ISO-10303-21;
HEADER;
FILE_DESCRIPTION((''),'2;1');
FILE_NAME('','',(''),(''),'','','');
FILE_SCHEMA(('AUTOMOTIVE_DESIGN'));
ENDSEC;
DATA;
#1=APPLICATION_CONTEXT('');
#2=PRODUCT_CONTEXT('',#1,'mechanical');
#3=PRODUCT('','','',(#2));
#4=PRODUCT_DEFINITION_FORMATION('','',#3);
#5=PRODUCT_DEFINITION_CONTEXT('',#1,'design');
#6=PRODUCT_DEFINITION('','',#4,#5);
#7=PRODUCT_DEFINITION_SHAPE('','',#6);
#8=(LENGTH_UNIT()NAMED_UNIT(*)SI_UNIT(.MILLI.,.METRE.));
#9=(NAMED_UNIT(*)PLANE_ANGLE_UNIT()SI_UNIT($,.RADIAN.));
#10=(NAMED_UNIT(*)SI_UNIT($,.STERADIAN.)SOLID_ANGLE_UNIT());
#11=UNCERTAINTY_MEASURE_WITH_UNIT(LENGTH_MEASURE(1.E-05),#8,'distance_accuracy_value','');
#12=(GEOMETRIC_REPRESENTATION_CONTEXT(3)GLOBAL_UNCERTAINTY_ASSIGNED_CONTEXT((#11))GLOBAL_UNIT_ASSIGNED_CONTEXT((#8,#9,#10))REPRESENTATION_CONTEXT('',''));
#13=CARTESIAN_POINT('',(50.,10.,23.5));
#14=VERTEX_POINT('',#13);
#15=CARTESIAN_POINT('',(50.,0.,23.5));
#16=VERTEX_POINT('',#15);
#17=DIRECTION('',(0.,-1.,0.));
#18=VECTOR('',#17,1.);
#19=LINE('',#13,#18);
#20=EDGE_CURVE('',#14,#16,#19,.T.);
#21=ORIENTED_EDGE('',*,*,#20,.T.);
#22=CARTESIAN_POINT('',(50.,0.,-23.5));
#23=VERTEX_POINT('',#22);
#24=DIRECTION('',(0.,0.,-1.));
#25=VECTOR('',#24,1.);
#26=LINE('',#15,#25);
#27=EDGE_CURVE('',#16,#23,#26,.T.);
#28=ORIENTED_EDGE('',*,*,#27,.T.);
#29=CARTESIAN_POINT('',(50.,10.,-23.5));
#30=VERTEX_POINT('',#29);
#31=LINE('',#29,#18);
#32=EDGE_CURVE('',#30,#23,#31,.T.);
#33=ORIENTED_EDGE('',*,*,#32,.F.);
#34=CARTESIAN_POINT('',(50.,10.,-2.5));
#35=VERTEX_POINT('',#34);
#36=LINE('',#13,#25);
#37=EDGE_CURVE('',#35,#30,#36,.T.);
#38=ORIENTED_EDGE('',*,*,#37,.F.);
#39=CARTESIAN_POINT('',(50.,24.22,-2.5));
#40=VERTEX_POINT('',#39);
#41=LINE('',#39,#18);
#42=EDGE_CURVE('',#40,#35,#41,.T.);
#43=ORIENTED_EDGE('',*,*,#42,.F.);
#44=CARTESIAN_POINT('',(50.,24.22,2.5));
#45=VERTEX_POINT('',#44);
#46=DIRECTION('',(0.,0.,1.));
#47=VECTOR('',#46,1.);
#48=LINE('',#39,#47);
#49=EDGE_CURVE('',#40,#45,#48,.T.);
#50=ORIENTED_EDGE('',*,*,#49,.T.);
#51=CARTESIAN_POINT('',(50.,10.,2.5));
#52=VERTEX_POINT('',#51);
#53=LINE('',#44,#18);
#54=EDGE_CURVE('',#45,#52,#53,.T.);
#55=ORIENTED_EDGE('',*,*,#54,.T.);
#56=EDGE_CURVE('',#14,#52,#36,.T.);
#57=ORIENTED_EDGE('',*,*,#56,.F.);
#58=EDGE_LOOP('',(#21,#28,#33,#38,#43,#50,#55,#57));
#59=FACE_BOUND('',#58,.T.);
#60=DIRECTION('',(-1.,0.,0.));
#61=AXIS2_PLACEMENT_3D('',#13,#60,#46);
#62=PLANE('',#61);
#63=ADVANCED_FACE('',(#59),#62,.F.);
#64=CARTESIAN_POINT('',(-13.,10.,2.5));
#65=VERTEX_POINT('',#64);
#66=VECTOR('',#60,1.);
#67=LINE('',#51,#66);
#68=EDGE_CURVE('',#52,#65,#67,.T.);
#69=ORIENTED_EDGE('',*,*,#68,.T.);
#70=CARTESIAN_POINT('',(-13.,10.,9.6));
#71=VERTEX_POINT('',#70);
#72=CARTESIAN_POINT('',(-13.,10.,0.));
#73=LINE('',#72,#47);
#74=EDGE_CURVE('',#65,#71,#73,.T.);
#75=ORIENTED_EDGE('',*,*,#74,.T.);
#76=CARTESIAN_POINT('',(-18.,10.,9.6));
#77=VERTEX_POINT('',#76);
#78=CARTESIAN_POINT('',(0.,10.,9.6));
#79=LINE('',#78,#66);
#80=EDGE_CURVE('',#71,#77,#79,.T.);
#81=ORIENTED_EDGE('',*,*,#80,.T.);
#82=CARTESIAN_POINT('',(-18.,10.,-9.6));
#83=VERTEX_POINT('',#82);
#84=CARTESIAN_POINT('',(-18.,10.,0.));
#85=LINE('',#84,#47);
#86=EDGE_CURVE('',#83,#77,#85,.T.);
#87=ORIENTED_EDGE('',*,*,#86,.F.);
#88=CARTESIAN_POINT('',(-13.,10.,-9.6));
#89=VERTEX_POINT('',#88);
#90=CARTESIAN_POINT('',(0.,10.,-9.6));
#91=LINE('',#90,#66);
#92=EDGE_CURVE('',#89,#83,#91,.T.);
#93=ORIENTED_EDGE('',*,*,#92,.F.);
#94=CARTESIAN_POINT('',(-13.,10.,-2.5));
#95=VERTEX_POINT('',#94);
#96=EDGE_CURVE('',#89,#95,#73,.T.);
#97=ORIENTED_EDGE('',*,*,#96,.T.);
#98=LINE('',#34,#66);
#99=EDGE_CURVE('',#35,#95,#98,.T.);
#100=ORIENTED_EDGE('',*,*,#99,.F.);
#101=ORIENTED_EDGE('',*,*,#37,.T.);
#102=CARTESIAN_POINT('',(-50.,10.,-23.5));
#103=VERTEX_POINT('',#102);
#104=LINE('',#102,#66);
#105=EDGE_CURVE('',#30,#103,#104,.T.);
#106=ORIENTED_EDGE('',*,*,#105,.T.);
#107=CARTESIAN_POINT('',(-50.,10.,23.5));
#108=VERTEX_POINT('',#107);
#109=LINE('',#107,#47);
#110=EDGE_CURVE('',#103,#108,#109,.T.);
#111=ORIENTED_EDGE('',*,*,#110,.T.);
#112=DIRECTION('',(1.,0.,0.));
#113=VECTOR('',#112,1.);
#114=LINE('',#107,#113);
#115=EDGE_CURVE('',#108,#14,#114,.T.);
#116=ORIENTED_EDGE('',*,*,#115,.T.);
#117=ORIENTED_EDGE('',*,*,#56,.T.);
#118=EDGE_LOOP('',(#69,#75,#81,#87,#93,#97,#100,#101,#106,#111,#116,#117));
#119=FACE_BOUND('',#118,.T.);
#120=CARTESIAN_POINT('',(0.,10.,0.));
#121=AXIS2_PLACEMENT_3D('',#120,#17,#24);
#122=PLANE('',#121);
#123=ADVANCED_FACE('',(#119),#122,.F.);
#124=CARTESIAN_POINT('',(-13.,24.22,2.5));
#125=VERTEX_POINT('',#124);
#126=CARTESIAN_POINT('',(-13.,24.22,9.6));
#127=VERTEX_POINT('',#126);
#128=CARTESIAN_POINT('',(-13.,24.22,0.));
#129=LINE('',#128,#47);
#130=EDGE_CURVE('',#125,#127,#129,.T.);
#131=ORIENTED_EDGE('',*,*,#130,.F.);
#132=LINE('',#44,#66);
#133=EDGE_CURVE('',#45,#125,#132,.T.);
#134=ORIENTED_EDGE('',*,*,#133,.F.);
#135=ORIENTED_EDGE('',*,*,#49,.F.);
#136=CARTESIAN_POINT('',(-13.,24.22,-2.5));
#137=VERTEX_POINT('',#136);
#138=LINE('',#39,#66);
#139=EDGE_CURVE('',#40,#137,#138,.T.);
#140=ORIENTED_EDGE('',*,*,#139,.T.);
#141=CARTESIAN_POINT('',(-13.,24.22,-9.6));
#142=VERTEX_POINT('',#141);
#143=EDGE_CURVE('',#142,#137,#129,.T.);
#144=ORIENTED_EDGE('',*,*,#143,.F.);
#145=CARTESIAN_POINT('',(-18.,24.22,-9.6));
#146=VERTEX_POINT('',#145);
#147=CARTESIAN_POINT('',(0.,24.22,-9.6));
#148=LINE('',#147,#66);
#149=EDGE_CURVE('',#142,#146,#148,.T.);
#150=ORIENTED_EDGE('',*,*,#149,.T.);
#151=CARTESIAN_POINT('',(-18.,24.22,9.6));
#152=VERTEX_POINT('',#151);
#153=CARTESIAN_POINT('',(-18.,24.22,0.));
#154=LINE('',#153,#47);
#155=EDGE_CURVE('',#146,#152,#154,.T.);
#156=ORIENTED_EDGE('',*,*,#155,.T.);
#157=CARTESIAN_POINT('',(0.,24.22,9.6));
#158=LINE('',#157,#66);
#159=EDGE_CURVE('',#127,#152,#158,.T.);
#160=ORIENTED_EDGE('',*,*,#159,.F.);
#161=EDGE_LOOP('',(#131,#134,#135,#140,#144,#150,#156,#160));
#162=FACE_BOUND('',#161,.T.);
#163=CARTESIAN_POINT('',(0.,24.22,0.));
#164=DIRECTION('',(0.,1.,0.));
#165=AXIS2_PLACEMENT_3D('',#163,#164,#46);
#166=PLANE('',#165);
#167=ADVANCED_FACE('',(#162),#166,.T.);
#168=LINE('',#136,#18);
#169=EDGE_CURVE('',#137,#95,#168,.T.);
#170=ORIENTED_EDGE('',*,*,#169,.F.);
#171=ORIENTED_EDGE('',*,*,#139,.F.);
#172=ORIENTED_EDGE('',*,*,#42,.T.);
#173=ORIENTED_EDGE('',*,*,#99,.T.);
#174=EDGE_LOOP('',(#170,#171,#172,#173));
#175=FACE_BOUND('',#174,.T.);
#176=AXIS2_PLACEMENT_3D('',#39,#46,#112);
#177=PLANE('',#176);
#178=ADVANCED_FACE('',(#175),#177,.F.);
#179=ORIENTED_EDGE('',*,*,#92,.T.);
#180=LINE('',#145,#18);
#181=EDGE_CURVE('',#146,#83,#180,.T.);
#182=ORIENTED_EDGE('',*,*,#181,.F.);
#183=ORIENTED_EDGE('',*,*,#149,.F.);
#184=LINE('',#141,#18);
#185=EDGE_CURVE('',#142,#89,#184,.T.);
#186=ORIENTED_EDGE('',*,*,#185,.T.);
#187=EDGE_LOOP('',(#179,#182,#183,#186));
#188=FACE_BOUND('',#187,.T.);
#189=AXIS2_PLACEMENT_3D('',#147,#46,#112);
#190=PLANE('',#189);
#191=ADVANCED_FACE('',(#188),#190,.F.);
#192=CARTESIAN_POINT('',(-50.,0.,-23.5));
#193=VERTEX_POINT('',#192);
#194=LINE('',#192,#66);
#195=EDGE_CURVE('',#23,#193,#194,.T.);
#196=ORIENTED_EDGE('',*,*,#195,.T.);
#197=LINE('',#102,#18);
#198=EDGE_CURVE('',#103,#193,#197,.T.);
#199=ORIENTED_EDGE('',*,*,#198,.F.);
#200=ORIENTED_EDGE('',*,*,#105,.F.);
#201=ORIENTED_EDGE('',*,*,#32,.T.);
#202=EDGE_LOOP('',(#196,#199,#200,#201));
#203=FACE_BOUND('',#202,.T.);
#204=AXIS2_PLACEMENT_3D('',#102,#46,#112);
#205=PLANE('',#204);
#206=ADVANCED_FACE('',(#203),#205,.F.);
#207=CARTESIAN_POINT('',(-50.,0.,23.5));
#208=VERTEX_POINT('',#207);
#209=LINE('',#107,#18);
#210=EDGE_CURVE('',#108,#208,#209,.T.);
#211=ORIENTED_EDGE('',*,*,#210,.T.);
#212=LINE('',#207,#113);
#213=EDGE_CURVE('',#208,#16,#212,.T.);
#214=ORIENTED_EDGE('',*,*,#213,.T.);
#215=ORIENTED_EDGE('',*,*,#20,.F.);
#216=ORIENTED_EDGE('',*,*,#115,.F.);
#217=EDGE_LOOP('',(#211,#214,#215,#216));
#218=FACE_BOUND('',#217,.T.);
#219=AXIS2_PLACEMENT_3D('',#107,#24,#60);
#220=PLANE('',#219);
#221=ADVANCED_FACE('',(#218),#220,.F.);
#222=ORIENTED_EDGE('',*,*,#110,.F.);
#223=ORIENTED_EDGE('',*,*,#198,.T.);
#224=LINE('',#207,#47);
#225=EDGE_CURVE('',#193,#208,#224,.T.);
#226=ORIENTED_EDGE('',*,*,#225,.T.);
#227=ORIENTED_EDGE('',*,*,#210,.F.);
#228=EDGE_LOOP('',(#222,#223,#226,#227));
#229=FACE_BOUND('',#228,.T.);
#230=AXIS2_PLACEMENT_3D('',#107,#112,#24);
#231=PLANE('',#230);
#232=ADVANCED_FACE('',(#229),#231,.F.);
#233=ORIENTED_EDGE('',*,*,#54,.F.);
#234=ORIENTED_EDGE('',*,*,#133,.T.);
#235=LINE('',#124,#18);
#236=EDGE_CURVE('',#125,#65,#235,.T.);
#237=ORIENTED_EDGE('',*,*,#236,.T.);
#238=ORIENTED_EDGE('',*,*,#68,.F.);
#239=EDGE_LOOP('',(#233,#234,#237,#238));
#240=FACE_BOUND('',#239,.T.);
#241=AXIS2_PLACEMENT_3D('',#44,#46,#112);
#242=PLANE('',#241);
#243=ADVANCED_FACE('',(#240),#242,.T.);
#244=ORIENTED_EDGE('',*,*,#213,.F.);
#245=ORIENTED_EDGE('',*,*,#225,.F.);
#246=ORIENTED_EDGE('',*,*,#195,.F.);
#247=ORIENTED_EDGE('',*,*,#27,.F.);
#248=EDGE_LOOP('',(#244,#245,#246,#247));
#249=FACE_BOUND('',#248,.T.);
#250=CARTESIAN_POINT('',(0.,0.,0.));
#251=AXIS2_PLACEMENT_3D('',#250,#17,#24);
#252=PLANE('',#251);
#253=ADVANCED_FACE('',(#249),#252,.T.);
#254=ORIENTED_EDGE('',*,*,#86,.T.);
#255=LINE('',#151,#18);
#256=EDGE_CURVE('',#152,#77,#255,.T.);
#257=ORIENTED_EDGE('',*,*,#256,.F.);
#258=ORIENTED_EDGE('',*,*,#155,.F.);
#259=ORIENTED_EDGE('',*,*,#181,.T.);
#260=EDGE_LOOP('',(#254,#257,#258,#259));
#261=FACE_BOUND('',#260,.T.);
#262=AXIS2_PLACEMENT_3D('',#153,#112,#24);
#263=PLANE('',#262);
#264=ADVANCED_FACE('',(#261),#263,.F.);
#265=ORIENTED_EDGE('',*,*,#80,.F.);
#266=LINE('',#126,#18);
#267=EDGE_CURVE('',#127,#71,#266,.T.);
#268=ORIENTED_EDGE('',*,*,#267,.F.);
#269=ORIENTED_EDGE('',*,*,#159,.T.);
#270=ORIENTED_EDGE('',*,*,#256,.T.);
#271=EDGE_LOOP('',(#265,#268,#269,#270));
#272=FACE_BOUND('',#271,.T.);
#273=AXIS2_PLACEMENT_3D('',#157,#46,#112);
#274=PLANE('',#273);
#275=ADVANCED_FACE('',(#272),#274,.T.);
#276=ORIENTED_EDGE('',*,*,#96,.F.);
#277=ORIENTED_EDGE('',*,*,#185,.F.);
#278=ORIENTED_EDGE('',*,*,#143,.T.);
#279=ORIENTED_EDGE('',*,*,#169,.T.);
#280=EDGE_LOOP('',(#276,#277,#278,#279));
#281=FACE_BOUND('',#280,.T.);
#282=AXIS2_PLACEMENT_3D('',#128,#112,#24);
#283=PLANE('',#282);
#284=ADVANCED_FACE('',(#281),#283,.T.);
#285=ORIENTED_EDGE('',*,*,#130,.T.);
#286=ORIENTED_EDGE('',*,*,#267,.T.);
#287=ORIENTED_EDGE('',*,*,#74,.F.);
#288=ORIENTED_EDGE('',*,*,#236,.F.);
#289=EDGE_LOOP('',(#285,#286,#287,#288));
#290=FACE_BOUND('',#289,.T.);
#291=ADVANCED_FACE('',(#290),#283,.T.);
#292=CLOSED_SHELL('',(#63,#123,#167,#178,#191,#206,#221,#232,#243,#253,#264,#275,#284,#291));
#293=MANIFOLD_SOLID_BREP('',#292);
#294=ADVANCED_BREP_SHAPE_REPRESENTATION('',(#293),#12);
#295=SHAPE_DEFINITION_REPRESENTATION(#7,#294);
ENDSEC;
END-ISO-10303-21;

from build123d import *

# Parameters (mm, degrees)
ESQUISSE1_W        = 100
ESQUISSE1_H        = 47
BOSS_EXTRU_1_DEPTH = 10
BOSS_EXTRU_3_DEPTH = 14.22


with BuildPart() as part:
    # Esquisse1 → Boss.-Extru.1 (new body)
    with BuildSketch(Plane(origin=(0, 0, 0), x_dir=(1, 0, 0), z_dir=(0, 1, 0))):
        Rectangle(ESQUISSE1_W, ESQUISSE1_H)
    extrude(amount=BOSS_EXTRU_1_DEPTH)

    # Esquisse2 → Boss.-Extru.3 (add)
    with BuildSketch(Plane(origin=(0, 10, 0), x_dir=(1, 0, 0), z_dir=(0, 1, 0))):
        Polygon((50, -2.5), (50, 2.5), (-13, 2.5), (-13, 9.6), (-18, 9.6), (-18, -9.6), (-13, -9.6), (-13, -2.5), align=None)
    extrude(amount=BOSS_EXTRU_3_DEPTH)


solid = part.part
